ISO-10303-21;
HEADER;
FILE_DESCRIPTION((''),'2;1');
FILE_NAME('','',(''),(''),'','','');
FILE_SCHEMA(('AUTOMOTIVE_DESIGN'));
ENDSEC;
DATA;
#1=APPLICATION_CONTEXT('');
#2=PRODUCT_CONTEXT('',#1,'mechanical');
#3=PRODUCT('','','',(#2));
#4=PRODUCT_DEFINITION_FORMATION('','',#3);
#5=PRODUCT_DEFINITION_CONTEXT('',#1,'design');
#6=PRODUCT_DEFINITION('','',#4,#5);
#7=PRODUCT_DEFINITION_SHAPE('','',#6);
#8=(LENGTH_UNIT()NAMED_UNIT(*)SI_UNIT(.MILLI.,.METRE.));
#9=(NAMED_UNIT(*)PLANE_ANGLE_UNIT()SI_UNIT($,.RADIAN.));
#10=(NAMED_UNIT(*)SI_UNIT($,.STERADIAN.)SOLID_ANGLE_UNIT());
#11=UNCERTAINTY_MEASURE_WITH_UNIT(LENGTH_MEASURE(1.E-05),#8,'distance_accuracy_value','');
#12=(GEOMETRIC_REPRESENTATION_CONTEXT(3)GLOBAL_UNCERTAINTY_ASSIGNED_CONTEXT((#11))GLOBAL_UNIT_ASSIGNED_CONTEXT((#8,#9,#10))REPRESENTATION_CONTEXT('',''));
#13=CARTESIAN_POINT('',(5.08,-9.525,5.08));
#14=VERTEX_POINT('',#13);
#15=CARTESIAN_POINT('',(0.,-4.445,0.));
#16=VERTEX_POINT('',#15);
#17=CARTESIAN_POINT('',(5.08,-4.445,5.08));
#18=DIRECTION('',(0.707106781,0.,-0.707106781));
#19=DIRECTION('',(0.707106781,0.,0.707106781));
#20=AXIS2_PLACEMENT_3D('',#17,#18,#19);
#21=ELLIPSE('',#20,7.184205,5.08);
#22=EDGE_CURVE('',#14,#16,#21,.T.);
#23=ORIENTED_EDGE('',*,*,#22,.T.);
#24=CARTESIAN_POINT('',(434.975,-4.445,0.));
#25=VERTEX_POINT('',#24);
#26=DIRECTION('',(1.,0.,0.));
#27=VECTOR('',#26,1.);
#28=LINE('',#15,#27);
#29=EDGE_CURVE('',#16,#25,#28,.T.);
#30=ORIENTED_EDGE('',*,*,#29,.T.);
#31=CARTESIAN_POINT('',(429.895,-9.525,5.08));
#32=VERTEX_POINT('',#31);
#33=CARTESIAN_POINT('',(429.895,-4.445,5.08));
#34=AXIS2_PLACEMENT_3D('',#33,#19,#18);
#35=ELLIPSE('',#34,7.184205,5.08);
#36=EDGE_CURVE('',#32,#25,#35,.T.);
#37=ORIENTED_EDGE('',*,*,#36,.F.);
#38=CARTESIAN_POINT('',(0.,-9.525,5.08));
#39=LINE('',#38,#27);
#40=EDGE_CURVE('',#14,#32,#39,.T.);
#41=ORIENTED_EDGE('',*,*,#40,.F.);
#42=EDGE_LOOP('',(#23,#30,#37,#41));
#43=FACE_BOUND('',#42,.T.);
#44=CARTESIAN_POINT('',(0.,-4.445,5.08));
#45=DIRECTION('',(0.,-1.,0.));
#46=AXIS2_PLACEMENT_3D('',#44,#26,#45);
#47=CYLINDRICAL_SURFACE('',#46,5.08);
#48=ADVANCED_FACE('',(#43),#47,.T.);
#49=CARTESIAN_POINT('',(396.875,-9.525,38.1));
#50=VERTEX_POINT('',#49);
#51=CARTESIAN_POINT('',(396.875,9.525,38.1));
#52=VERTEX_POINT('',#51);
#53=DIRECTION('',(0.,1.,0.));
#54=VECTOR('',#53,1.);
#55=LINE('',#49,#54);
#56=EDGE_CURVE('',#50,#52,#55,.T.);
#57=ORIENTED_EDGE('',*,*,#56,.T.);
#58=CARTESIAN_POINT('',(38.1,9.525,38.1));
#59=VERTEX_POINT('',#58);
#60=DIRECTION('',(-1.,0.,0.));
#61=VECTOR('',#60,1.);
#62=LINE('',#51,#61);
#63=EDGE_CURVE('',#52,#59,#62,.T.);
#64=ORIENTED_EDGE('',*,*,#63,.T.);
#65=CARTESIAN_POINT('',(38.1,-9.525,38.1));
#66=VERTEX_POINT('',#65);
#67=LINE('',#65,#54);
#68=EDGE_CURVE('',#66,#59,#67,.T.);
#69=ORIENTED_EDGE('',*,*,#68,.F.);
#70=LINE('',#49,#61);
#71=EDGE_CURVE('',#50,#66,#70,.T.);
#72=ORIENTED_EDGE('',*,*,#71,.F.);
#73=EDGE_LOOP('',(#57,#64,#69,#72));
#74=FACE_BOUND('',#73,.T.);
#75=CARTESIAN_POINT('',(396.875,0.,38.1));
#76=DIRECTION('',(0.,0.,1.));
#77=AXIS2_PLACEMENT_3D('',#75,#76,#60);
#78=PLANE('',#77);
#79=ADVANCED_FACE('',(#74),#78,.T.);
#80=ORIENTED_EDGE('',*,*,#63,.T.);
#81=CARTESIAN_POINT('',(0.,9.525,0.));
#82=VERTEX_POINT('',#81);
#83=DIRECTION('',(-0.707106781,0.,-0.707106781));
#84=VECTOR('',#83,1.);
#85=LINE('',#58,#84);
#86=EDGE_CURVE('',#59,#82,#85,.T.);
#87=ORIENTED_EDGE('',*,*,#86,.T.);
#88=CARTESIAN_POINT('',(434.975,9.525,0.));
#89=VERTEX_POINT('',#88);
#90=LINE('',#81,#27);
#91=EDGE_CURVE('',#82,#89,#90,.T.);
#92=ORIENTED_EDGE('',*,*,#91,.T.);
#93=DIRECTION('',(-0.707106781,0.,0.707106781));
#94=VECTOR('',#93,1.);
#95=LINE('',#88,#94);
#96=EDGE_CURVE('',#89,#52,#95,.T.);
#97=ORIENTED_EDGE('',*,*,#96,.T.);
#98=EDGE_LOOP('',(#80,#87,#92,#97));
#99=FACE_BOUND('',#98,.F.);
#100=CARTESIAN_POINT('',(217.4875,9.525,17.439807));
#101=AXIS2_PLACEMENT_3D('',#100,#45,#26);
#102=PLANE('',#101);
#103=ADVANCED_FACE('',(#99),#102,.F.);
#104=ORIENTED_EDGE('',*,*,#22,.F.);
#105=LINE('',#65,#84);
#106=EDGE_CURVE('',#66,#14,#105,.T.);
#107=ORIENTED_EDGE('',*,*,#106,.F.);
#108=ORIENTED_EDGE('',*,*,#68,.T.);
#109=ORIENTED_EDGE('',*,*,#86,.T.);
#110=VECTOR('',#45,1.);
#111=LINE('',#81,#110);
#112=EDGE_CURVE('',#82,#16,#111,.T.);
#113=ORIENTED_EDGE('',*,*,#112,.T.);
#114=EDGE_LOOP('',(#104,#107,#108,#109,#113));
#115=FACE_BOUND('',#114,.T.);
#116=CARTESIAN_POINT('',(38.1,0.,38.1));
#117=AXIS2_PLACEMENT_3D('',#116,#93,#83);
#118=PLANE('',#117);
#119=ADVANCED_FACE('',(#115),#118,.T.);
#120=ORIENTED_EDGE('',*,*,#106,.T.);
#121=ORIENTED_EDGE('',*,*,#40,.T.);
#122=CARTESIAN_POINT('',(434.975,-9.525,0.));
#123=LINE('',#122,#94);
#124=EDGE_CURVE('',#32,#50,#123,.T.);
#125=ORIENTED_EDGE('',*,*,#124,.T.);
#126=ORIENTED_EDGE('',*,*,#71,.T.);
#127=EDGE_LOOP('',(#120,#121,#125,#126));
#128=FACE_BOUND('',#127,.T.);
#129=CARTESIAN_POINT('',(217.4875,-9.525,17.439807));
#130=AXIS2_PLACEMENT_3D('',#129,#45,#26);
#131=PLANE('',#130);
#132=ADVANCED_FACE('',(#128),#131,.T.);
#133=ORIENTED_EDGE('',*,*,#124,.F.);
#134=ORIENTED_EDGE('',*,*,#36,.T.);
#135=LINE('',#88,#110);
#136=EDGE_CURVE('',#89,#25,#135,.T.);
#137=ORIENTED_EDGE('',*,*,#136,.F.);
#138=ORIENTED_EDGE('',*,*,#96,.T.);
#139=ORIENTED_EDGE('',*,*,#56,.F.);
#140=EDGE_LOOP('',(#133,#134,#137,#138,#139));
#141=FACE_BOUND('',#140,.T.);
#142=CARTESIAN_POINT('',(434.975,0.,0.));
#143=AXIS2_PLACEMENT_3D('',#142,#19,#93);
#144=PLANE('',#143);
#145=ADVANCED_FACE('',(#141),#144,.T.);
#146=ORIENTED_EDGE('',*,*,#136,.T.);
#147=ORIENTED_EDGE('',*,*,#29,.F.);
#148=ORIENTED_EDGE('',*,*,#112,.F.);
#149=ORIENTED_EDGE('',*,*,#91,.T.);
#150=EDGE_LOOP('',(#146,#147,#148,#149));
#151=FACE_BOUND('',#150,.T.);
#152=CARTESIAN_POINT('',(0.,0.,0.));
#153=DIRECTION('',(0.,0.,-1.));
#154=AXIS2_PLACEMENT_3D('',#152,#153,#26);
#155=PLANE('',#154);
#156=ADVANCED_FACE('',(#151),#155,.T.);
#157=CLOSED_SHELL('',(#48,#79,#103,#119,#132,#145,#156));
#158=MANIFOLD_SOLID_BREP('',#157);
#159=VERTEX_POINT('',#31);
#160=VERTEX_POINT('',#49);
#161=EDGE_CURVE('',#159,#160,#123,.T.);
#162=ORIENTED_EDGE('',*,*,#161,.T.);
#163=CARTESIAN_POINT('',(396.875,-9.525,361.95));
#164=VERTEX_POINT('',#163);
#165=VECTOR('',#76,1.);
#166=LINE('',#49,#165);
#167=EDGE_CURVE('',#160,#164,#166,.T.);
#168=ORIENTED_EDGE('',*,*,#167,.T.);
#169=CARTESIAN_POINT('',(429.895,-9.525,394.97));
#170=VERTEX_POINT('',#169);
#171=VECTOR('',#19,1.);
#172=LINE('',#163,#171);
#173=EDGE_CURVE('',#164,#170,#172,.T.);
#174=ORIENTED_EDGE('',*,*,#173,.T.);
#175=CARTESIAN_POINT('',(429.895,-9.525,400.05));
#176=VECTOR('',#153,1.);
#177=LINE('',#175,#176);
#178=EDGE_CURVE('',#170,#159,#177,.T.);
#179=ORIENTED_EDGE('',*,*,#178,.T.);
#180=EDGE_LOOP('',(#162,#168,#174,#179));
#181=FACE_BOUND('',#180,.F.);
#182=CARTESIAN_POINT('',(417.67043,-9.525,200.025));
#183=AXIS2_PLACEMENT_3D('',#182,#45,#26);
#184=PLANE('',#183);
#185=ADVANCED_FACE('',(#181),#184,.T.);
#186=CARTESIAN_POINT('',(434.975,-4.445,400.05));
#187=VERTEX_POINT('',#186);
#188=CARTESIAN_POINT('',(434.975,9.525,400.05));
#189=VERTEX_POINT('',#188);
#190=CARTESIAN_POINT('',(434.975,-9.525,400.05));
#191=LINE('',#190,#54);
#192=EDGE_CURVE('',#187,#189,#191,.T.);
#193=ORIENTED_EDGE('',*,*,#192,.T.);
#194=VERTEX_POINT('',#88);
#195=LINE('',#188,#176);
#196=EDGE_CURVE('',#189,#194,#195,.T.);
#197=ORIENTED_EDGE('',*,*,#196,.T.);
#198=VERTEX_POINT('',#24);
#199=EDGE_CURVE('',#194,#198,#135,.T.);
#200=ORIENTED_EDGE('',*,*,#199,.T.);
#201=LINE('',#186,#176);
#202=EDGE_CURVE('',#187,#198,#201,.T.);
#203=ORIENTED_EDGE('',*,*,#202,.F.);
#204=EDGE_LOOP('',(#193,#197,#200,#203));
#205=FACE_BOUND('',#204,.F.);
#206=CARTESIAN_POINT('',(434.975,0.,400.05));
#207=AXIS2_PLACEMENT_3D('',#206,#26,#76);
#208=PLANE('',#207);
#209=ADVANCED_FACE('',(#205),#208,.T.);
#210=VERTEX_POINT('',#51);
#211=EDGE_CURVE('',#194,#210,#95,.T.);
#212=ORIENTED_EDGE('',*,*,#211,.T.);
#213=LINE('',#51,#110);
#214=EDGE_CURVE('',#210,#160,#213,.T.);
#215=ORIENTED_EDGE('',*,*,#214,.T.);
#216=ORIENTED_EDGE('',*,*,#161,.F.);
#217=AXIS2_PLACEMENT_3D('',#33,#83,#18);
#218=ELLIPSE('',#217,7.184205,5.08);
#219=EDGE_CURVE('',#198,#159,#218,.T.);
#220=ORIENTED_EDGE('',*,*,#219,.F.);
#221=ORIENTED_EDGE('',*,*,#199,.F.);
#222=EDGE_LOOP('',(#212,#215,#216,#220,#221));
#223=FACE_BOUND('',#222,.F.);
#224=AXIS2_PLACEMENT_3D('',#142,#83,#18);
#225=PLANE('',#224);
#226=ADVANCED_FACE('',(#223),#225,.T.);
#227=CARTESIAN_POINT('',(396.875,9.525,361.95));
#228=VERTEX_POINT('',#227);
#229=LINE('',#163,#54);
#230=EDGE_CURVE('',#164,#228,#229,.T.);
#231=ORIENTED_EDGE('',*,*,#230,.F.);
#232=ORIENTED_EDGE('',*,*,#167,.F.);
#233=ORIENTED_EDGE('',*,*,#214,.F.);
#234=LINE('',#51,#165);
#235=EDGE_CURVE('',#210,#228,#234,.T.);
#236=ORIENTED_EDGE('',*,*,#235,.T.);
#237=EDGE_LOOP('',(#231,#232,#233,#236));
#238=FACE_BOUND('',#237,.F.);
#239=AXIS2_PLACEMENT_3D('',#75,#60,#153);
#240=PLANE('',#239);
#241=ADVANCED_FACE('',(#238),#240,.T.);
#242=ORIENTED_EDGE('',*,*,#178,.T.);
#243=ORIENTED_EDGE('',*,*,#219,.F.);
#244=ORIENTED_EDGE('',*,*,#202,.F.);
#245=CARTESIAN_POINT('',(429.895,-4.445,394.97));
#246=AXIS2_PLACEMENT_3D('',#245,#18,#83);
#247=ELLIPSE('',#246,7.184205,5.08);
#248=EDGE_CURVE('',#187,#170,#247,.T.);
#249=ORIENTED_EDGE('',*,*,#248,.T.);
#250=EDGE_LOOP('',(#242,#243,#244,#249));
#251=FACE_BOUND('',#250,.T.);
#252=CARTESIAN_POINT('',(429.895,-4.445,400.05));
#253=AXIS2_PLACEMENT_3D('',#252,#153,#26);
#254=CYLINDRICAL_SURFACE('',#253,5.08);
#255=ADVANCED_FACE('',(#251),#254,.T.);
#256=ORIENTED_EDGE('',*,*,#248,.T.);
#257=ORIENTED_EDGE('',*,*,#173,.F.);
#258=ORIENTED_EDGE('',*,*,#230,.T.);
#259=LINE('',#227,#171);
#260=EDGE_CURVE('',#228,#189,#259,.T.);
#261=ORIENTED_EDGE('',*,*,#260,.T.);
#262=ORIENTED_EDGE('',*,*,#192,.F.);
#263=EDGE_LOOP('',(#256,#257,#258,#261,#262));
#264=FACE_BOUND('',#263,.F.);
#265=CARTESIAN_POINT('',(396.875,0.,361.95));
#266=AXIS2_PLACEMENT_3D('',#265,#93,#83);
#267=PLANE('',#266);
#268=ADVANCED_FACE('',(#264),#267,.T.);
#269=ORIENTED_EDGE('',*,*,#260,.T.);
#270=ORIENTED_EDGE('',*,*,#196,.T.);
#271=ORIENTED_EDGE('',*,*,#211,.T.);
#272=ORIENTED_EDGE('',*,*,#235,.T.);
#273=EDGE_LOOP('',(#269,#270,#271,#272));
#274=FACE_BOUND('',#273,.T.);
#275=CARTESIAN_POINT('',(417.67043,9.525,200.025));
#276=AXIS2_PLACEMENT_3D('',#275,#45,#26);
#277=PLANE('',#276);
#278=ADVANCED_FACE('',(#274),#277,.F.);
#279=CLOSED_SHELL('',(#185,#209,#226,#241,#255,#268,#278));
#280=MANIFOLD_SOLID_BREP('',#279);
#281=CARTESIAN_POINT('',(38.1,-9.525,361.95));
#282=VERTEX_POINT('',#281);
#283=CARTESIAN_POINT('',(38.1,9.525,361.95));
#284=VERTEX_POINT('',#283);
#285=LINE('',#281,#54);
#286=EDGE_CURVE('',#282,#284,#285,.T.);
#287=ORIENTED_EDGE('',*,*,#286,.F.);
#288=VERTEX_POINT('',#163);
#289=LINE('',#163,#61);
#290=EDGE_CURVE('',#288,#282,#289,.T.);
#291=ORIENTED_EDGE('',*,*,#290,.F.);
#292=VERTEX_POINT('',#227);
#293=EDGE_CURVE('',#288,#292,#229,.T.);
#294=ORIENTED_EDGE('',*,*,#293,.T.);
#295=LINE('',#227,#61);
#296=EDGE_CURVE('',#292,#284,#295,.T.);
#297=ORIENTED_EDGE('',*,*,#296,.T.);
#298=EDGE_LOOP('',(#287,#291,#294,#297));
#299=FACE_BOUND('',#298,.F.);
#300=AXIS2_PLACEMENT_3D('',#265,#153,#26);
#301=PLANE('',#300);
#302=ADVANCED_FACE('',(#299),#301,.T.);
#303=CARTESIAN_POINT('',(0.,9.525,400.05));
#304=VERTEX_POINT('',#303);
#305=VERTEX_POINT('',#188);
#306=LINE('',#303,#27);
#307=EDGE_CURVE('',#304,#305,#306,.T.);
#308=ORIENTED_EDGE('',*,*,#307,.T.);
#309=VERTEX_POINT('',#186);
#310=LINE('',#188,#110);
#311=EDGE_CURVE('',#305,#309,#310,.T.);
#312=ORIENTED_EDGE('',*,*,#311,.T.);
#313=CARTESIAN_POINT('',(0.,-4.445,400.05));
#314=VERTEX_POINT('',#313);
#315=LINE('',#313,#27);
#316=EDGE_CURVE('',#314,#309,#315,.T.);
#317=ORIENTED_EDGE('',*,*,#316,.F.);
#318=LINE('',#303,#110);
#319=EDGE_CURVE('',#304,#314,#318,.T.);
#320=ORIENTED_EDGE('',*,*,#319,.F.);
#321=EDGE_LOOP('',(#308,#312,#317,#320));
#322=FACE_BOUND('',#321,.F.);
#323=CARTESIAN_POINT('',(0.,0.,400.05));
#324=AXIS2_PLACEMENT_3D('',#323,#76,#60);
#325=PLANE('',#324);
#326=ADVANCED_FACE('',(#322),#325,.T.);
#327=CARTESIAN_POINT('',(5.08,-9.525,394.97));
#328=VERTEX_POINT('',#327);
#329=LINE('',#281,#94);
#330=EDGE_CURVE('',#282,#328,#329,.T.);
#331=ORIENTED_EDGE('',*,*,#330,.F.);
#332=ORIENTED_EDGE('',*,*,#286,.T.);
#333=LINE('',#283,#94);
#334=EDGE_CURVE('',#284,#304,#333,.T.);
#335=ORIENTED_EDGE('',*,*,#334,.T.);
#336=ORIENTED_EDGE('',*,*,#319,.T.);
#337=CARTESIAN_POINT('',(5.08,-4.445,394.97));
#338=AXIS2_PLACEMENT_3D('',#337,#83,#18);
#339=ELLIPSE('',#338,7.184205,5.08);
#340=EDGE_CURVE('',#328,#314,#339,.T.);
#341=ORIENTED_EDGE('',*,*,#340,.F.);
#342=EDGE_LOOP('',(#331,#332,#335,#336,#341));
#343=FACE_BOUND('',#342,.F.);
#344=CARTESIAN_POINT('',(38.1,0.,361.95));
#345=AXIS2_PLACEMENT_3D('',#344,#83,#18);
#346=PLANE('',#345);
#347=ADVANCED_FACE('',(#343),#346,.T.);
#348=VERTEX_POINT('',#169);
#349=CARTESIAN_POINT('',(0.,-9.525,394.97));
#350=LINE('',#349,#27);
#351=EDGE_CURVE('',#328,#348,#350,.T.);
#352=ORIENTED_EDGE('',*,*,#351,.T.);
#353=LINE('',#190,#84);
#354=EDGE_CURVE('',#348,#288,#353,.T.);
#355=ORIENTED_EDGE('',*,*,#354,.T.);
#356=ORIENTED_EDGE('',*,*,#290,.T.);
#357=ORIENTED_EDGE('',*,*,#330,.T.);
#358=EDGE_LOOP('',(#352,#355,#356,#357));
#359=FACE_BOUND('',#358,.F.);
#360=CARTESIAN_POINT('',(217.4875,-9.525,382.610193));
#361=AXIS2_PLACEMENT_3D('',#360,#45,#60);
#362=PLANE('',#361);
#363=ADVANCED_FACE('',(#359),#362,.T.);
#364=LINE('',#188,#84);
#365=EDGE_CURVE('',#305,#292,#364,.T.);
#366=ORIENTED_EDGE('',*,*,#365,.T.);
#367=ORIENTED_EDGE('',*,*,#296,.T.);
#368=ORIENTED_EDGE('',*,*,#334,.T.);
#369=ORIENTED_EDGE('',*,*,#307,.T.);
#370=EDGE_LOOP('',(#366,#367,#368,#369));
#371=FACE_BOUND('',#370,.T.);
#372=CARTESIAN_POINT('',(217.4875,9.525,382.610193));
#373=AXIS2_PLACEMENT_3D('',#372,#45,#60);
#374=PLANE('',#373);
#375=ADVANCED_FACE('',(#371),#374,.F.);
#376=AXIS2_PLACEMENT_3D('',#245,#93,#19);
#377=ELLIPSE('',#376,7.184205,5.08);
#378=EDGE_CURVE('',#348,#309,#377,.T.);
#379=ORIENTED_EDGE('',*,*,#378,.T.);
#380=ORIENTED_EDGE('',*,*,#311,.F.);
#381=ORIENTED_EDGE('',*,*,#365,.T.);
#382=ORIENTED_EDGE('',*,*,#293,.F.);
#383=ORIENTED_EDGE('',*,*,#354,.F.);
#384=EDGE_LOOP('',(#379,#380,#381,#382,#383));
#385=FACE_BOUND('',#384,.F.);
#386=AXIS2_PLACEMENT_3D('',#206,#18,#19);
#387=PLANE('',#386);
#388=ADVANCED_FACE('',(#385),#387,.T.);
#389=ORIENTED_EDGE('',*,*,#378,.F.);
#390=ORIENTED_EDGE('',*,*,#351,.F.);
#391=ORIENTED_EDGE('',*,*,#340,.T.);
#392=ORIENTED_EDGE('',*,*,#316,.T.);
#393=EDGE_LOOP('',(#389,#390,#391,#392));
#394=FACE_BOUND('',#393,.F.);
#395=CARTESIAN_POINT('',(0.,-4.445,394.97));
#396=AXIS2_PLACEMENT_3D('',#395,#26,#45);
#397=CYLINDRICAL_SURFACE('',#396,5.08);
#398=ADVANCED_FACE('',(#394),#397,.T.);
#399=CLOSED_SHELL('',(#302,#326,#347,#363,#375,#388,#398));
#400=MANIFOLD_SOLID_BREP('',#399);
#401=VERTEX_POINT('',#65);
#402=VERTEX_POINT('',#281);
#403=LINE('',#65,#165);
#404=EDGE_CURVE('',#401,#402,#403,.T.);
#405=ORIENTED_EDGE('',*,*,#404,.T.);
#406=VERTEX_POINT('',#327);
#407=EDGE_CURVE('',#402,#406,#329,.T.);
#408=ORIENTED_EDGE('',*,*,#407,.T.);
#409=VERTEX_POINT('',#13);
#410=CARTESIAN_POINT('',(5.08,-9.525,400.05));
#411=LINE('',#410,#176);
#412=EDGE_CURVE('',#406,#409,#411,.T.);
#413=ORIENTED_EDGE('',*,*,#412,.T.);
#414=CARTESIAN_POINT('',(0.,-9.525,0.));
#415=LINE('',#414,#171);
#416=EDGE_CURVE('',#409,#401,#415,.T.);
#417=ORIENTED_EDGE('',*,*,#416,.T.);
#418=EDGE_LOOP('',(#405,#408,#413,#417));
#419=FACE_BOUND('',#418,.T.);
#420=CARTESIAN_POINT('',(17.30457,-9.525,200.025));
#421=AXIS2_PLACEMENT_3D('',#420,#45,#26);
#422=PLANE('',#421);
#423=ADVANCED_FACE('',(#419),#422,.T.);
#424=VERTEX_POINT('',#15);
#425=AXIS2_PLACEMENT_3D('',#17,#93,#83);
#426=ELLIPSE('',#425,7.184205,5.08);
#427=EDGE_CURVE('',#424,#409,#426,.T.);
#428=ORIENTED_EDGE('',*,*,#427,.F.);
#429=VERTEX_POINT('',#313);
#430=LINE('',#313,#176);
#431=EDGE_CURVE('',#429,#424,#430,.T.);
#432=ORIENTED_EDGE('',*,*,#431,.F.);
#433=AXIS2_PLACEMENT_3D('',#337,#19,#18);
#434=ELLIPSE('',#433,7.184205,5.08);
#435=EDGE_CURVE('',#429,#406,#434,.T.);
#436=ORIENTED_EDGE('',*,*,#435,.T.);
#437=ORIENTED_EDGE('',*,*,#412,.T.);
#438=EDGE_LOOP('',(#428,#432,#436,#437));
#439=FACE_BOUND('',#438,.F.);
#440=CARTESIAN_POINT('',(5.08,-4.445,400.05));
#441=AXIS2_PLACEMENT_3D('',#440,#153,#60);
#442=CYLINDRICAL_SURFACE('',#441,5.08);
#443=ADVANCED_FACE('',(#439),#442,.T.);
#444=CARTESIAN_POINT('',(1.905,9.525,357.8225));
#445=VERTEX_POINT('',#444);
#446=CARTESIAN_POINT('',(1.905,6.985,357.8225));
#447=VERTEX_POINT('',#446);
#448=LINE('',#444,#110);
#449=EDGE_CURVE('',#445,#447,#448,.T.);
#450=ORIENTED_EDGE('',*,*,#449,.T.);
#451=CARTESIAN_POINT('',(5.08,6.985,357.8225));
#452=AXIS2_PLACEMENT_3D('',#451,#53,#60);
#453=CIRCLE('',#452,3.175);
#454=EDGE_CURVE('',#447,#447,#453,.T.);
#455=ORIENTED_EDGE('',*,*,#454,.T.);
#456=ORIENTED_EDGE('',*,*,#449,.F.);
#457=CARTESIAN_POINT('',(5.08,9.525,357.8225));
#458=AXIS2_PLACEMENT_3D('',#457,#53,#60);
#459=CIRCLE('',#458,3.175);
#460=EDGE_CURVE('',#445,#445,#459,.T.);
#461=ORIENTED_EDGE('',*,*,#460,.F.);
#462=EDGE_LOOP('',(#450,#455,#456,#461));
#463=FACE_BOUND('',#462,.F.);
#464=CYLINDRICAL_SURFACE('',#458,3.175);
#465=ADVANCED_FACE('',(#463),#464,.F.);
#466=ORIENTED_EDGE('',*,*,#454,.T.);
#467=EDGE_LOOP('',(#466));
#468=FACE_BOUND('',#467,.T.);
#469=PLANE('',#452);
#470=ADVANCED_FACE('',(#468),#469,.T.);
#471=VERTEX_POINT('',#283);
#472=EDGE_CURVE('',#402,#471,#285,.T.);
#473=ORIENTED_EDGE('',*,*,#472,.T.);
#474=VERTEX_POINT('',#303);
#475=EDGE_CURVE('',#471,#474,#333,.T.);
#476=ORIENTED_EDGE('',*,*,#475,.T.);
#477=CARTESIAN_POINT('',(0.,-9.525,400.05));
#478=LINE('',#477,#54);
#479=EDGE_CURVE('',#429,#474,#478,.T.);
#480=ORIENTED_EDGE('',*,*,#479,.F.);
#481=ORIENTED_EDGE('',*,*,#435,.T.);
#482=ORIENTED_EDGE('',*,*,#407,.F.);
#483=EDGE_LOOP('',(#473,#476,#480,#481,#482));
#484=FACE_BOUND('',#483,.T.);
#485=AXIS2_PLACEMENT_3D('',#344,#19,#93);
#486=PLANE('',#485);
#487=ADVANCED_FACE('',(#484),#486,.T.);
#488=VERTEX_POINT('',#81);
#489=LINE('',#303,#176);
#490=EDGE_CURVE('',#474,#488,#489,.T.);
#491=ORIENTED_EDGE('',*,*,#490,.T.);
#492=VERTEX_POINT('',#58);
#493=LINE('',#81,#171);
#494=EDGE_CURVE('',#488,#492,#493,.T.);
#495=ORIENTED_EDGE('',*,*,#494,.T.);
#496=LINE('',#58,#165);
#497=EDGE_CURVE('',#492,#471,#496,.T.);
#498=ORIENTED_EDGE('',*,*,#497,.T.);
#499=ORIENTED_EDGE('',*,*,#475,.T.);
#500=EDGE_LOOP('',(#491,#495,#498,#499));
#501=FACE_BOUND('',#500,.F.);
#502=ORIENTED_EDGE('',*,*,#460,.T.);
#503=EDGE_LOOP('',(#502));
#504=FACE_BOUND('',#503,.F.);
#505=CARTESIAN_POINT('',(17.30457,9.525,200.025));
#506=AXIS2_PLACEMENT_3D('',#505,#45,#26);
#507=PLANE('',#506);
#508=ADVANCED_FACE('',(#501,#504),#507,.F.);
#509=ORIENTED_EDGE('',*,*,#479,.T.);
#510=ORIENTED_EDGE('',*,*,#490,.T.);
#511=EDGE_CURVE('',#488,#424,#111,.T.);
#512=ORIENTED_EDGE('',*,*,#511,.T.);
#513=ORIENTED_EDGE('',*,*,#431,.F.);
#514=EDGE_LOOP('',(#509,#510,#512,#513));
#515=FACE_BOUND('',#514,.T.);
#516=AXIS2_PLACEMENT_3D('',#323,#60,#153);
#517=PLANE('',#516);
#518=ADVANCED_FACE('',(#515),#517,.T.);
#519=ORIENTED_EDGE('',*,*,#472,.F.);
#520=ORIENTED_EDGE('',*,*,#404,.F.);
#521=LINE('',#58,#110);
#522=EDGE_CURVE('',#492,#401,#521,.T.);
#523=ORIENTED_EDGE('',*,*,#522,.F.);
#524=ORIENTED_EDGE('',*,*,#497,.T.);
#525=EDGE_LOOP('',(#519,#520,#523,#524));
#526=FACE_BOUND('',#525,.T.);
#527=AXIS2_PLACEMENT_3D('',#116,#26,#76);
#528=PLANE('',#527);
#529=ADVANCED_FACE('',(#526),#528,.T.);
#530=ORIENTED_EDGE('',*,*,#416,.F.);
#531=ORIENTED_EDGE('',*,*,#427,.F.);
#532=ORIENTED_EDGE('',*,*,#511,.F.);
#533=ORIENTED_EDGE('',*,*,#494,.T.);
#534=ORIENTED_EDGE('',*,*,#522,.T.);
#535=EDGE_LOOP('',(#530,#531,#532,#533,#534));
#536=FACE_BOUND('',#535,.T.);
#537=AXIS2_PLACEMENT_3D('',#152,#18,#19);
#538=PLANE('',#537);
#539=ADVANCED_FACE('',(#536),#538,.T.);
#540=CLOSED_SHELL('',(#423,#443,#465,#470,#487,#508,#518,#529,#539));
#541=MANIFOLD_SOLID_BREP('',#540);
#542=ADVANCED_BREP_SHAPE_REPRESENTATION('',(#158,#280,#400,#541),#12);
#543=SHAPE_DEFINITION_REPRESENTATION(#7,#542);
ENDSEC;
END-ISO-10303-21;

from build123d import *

# Parameters (mm, degrees)
F2_DEPTH  = 9.525
F4_DEPTH  = 9.525
F11_R     = 3.175
F12_DEPTH = 2.54
F13_R     = 5.08
F13_2_R   = 5.08
F13_3_R   = 5.08
F13_4_R   = 5.08


with BuildPart() as f2:
    # F1 (on Front) → F2 (new body, symmetric)
    with BuildSketch(Plane.XZ):
        Polygon((0, 400.05), (0, 0), (38.1, 38.1), (38.1, 361.95), align=None)
    extrude(amount=F2_DEPTH, both=True)


with BuildPart() as f4:
    # F3 (on Front) → F4 (new body, symmetric)
    with BuildSketch(Plane.XZ):
        Polygon((38.1, 38.1), (0, 0), (434.975, 0), (396.875, 38.1), align=None)
    extrude(amount=F4_DEPTH, both=True)


with BuildPart() as f7_1:
    # F7: instance of F2
    add(f2.part.mirror(Plane.YZ.offset(217.4875)))

    # F13#3
    f13_3_edges = [f7_1.edges().sort_by_distance(p)[0] for p in [
        (434.975, -9.525, 200.025),
    ]]
    fillet(f13_3_edges, radius=F13_3_R)


with BuildPart() as f10_1:
    # F10: instance of F4
    add(f4.part.mirror(Plane.XY.offset(200.025)))

    # F13#4
    f13_4_edges = [f10_1.edges().sort_by_distance(p)[0] for p in [
        (217.4875, -9.525, 400.05),
    ]]
    fillet(f13_4_edges, radius=F13_4_R)


with BuildPart() as f2_1:
    add(f2.part)

    # F11 (on face) → F12 (cut)
    with BuildSketch(Plane(origin=(0, 9.525, 0), x_dir=(-1, 0, 0), z_dir=(0, 1, 0))):
        with Locations((-5.08, 357.8225)):
            Circle(F11_R)
    extrude(amount=-F12_DEPTH, mode=Mode.SUBTRACT)

    # F13
    f13_edges = [f2_1.edges().sort_by_distance(p)[0] for p in [
        (0, -9.525, 200.025),
    ]]
    fillet(f13_edges, radius=F13_R)


with BuildPart() as f4_1:
    add(f4.part)

    # F13#2
    f13_2_edges = [f4_1.edges().sort_by_distance(p)[0] for p in [
        (217.4875, -9.525, 0),
    ]]
    fillet(f13_2_edges, radius=F13_2_R)


solid = Compound([f7_1.part, f10_1.part, f2_1.part, f4_1.part])
